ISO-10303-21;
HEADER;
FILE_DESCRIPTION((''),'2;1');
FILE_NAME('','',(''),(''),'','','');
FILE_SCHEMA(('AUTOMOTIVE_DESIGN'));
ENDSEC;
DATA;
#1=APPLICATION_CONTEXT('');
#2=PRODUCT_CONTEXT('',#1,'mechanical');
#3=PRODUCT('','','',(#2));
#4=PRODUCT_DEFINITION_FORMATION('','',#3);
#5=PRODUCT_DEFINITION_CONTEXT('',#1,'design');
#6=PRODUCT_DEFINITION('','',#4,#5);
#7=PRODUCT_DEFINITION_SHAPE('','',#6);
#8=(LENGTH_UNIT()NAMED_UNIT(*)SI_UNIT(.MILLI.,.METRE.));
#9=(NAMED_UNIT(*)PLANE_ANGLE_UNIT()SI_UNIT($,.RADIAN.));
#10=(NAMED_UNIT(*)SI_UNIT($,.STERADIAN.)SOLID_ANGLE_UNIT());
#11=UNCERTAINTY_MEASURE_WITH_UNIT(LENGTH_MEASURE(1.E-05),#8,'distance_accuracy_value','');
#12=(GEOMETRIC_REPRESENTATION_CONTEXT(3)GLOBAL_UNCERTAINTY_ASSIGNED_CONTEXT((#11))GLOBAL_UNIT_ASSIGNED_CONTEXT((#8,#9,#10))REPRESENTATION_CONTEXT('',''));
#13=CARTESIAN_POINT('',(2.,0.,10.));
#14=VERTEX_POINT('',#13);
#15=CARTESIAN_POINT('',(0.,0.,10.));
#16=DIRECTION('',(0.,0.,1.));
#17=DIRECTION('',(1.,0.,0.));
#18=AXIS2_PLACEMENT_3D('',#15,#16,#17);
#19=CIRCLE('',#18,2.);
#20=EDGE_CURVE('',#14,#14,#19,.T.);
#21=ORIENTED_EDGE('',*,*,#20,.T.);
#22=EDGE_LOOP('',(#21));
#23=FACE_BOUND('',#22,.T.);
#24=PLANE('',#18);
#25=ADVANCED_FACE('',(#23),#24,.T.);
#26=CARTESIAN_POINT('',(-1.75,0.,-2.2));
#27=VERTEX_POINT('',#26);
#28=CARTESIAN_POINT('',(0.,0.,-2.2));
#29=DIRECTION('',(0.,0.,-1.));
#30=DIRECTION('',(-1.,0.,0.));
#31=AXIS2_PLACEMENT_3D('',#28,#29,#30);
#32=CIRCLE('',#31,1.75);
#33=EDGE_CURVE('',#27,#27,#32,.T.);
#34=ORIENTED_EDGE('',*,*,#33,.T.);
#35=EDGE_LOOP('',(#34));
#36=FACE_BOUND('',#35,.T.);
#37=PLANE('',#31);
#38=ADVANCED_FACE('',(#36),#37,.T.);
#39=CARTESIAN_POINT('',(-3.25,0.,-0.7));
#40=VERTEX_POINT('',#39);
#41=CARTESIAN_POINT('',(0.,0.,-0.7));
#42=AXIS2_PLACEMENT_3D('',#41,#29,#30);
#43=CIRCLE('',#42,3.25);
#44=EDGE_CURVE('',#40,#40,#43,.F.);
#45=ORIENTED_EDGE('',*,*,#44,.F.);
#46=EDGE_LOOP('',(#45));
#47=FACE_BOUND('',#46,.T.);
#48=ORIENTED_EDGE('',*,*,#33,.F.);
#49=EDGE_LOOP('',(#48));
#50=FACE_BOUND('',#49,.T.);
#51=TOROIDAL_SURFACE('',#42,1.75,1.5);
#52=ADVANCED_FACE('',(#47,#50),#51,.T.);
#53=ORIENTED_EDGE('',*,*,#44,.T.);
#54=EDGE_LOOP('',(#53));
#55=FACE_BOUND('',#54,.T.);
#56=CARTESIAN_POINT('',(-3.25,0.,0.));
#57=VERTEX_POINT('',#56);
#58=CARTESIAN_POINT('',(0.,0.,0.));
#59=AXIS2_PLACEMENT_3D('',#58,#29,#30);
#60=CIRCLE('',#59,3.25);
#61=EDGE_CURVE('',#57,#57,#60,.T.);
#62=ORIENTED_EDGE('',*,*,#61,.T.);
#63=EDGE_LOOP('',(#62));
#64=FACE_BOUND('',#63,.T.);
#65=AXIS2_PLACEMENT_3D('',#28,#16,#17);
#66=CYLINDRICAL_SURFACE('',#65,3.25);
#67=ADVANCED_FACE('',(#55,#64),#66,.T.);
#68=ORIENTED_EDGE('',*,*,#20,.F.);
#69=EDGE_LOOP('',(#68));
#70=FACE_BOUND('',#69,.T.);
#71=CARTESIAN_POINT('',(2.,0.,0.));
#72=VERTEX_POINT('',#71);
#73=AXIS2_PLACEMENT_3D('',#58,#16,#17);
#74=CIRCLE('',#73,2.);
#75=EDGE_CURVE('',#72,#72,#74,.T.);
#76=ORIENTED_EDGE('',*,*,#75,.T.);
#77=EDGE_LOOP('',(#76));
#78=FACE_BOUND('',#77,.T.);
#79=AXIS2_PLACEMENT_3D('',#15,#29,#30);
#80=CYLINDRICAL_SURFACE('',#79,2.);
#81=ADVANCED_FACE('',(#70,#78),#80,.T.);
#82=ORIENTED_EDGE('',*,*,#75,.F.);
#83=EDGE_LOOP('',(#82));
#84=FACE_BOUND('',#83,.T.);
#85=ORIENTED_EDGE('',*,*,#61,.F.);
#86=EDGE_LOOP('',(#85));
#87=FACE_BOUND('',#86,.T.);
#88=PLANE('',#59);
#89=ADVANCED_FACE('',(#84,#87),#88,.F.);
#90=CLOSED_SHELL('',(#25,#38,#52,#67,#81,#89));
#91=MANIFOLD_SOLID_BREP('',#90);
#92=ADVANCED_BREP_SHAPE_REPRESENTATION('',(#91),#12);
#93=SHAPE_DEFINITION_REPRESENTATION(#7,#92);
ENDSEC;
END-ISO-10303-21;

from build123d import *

# Parameters (mm, degrees)
SKETCH_1_R      = 2
EXTRUDE_1_DEPTH = 10
SKETCH_2_R      = 3.25
EXTRUDE_2_DEPTH = 2.2
FILLET_1_R      = 1.5


with BuildPart() as part:
    # Sketch 1 → 凸台-拉伸1 (new body)
    with BuildSketch(Plane.XY):
        Circle(SKETCH_1_R)
    extrude(amount=EXTRUDE_1_DEPTH)

    # 草图2 → 凸台-拉伸2 (add)
    with BuildSketch(Plane(origin=(0, 0, 0), x_dir=(-1, 0, 0), z_dir=(0, 0, -1))):
        Circle(SKETCH_2_R)
    extrude(amount=EXTRUDE_2_DEPTH)

    # 圆角1
    fillet_1_edges = [part.edges().sort_by_distance(p)[0] for p in [
        (3.25, 0, -2.2),
    ]]
    fillet(fillet_1_edges, radius=FILLET_1_R)


solid = part.part
